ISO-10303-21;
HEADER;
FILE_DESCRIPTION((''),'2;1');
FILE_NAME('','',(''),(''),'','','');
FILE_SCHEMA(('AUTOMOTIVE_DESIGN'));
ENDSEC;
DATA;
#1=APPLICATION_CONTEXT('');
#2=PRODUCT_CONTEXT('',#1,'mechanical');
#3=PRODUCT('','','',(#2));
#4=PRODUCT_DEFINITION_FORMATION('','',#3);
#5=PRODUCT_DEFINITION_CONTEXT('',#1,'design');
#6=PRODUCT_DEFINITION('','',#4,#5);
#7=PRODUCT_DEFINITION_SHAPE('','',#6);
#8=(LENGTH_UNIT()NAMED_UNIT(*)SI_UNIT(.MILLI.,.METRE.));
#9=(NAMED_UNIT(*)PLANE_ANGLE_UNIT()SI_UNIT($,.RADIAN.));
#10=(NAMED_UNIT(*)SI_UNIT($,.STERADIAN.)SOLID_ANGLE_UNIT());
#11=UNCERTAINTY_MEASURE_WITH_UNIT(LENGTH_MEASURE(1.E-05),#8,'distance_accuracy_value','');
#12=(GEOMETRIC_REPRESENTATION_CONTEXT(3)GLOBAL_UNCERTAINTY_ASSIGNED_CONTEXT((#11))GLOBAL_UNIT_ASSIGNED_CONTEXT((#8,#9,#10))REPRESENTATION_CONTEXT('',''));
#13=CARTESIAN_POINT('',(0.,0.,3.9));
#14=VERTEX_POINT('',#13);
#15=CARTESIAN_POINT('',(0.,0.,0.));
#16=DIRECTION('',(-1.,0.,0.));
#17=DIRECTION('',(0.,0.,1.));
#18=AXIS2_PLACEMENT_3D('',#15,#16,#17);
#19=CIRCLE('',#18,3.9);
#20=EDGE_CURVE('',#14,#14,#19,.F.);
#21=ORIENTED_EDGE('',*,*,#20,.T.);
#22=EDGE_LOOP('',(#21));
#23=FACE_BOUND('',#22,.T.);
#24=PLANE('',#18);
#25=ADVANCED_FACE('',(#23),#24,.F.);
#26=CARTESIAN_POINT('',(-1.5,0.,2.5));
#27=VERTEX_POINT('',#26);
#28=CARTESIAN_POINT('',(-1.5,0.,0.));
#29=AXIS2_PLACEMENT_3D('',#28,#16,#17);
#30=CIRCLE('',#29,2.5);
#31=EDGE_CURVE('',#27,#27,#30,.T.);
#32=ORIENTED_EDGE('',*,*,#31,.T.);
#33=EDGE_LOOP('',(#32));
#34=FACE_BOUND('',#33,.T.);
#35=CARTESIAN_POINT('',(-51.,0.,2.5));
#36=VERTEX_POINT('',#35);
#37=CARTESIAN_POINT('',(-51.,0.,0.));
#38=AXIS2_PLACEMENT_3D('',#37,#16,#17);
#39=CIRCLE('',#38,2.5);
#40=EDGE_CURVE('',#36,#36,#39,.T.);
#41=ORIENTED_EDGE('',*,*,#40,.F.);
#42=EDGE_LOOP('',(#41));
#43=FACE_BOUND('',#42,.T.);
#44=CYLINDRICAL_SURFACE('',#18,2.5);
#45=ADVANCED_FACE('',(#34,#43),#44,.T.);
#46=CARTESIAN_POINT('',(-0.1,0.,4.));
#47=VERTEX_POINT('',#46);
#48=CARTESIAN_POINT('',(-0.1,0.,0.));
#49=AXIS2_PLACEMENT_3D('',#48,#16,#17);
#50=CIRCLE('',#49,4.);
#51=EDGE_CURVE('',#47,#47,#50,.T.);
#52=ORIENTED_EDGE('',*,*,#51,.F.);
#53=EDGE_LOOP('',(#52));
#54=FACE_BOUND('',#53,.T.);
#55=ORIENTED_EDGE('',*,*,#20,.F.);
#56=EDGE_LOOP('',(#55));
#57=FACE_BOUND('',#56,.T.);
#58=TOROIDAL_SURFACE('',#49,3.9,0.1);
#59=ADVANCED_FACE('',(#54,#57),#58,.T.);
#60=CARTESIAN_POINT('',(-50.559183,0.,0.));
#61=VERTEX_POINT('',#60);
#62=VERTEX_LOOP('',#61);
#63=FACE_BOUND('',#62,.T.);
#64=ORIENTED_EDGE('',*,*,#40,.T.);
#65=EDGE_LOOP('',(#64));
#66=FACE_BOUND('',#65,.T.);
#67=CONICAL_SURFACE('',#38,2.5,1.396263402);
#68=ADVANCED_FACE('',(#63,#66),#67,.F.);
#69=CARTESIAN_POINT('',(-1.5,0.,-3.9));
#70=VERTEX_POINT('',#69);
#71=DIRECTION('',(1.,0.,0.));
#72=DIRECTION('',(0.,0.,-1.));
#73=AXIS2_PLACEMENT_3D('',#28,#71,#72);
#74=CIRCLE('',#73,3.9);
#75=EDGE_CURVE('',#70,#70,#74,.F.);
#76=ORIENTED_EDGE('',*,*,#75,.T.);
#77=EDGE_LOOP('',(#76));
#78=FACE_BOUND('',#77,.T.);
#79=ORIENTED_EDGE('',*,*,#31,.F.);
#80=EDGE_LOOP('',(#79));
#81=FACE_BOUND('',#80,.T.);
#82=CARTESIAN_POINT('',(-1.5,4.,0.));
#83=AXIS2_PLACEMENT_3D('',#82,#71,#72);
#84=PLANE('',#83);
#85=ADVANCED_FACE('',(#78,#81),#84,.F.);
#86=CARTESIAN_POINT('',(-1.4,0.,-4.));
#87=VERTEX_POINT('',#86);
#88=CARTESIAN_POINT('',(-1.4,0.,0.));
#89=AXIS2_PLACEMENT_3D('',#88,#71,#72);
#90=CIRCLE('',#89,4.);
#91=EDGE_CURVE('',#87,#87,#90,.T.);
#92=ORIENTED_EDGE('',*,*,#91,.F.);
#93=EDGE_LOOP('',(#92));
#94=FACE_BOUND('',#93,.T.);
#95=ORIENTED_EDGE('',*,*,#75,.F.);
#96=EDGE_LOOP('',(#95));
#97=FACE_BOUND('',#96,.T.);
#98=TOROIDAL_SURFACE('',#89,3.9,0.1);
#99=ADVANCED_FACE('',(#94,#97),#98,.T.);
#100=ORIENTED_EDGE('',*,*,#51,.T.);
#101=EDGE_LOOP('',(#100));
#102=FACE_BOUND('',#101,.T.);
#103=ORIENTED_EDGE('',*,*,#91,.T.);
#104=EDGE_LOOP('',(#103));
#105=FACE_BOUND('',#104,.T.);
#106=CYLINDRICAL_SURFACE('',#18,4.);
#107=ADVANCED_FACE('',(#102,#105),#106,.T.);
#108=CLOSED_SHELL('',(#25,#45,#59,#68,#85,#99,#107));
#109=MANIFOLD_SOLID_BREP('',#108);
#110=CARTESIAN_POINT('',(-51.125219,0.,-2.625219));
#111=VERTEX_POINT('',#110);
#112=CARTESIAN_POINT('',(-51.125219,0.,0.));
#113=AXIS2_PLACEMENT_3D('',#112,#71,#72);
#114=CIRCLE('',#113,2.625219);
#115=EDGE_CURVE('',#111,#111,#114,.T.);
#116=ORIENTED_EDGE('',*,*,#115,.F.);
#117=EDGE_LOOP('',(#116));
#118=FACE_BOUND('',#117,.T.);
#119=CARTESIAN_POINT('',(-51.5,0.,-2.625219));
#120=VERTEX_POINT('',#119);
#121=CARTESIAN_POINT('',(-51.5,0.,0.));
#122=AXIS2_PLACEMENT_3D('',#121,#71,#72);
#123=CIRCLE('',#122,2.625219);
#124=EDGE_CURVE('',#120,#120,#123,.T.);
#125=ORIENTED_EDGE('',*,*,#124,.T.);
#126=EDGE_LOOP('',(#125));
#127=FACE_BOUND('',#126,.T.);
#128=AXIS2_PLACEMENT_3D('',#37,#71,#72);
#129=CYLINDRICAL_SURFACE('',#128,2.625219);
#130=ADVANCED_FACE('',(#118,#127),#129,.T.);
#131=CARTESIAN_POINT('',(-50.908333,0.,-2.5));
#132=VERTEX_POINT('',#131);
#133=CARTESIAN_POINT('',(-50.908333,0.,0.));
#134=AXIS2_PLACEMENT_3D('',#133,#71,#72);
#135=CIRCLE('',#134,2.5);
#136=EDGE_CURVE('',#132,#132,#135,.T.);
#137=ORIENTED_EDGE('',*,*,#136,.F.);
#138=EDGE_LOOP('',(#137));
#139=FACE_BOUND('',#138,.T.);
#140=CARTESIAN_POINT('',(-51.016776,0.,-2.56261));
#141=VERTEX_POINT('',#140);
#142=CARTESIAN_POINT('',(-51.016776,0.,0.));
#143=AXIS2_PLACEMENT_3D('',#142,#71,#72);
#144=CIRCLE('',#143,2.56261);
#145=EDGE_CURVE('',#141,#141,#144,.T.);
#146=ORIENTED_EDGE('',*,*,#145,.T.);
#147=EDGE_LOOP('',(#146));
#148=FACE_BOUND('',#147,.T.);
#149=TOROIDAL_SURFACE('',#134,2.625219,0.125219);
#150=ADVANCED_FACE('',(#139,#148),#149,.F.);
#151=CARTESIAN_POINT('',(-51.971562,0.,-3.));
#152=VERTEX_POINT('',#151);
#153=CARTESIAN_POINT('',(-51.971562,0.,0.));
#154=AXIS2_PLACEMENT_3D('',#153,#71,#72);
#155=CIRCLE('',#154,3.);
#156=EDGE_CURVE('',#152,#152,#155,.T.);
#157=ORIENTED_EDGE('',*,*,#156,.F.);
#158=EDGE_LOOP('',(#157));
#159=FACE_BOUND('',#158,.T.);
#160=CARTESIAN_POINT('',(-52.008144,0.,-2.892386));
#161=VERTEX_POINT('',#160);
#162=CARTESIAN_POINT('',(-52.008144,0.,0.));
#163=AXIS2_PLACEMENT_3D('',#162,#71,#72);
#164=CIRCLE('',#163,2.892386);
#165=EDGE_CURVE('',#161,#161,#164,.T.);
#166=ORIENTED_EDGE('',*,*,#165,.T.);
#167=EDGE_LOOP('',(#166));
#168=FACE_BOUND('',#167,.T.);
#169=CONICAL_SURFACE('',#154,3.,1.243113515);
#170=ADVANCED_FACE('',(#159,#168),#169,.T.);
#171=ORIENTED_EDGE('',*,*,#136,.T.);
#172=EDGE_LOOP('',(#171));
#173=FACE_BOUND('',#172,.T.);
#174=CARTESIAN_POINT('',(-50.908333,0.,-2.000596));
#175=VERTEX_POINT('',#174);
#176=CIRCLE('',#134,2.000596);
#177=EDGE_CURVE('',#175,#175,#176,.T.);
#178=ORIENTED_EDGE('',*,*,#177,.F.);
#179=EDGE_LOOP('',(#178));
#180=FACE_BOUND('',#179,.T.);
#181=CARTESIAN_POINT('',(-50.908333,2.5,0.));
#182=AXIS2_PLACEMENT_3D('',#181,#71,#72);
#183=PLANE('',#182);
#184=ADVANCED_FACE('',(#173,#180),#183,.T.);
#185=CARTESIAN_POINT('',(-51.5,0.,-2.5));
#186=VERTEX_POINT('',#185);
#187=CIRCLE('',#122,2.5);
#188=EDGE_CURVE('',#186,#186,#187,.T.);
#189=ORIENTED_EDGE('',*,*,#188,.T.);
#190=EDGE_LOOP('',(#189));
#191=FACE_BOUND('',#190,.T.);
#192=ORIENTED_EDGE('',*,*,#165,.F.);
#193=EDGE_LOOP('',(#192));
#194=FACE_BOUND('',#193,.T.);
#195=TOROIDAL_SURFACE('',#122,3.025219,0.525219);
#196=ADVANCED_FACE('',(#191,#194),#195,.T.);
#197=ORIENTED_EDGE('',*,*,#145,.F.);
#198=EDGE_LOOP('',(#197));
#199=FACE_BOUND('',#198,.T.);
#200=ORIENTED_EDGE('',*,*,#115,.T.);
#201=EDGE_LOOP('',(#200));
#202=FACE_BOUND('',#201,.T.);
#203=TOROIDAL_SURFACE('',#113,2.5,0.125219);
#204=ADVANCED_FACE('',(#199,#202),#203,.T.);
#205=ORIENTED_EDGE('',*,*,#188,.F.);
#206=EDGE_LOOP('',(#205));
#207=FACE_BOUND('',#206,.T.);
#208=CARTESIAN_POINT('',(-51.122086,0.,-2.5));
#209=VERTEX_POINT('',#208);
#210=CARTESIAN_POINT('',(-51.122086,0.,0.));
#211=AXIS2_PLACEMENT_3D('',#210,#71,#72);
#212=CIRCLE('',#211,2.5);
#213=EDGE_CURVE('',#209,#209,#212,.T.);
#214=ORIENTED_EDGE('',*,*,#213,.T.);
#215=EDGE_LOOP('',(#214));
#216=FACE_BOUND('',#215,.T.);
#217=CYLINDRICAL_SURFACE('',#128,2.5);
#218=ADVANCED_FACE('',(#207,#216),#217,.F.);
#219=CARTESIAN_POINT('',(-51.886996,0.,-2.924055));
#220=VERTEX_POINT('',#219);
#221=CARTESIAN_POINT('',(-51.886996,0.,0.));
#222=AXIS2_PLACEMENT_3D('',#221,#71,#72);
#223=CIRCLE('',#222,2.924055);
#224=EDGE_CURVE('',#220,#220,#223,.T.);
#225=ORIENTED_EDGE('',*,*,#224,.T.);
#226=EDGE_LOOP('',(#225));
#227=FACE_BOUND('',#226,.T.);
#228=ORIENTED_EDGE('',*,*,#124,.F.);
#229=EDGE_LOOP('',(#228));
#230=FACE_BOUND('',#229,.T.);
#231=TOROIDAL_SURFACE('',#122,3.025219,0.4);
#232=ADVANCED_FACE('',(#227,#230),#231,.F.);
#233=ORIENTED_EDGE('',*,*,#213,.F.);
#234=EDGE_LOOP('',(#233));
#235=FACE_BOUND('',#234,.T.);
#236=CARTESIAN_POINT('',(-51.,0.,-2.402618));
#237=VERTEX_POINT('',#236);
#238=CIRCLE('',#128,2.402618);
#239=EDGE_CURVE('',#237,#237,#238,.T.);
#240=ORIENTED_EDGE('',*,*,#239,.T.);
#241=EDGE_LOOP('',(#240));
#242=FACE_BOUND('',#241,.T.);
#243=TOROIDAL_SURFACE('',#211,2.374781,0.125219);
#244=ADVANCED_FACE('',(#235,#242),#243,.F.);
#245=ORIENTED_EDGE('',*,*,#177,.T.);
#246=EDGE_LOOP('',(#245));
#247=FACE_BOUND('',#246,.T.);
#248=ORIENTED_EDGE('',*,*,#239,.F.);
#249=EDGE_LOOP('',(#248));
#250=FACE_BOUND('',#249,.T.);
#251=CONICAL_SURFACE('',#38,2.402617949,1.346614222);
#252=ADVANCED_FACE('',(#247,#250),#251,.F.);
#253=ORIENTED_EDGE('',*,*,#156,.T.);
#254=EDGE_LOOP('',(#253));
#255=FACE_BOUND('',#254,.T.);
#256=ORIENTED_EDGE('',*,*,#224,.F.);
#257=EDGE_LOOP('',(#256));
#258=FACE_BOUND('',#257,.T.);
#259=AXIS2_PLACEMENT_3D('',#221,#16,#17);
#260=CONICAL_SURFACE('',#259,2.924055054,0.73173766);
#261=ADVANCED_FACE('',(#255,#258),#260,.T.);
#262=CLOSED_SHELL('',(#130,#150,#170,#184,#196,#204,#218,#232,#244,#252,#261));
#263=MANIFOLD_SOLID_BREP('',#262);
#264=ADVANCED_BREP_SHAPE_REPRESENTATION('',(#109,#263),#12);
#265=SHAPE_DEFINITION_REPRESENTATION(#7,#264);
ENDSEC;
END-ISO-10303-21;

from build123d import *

# Parameters (mm, degrees)
RADYUS1_R = 0.1


with BuildPart() as part:
    # Çizim1 → Döndür1 (revolve)
    with BuildSketch(Plane.XY):
        Polygon((0, 0), (-51, 0), (-51, 2.5), (-1.5, 2.5), (-1.5, 4), (0, 4), align=None)
    revolve(axis=Axis((0, 0, 0), (1, 0, 0)))

    # Radyus1
    radyus1_edges = [part.edges().sort_by_distance(p)[0] for p in [
        (0, -4, 0),
        (-1.5, -4, 0),
    ]]
    fillet(radyus1_edges, radius=RADYUS1_R)

    # Kes-Ekstrüzyon1 cone 1 section (through the dimple's axis) → Kes-Ekstrüzyon1 (revolve, cut)
    with BuildSketch(Plane(origin=(-51, 0, 0), x_dir=(0, 0, 1), z_dir=(0, 1, 0))):
        Polygon((0, 0), (2.5, 0), (0, 0.440817452), align=None)
    revolve(axis=Axis((-51, 0, 0), (1, 0, 0)), mode=Mode.SUBTRACT)


with BuildPart() as body_2:
    # Çizim4 → Döndür2 (revolve)
    with BuildSketch(Plane.XY):
        with BuildLine():
            Line((-51.5, 2.5), (-51.122086007, 2.5))
            ThreePointArc((-51.122086007, 2.5), (-51.044002307, 2.472672569), (-51, 2.402617949))
            Line((-51, 2.402617949), (-50.908332988, 2.000595733))
            Line((-50.908332988, 2.000595733), (-50.908332988, 2.5))
            ThreePointArc((-50.908332988, 2.5), (-50.970942722, 2.516776227), (-51.016776227, 2.562609733))
            ThreePointArc((-51.016776227, 2.562609733), (-51.062609733, 2.608443239), (-51.125219467, 2.625219467))
            Line((-51.125219467, 2.625219467), (-51.5, 2.625219467))
            ThreePointArc((-51.5, 2.625219467), (-51.744473143, 2.708623695), (-51.886995816, 2.924055054))
            Line((-51.886995816, 2.924055054), (-51.971562154, 3))
            Line((-51.971562154, 3), (-52.00814434, 2.89238567))
            ThreePointArc((-52.00814434, 2.89238567), (-51.821005134, 2.609513811), (-51.5, 2.5))
        make_face()
    revolve(axis=Axis((-51, 0, 0), (-1, 0, 0)))


solid = Compound([part.part, body_2.part])
